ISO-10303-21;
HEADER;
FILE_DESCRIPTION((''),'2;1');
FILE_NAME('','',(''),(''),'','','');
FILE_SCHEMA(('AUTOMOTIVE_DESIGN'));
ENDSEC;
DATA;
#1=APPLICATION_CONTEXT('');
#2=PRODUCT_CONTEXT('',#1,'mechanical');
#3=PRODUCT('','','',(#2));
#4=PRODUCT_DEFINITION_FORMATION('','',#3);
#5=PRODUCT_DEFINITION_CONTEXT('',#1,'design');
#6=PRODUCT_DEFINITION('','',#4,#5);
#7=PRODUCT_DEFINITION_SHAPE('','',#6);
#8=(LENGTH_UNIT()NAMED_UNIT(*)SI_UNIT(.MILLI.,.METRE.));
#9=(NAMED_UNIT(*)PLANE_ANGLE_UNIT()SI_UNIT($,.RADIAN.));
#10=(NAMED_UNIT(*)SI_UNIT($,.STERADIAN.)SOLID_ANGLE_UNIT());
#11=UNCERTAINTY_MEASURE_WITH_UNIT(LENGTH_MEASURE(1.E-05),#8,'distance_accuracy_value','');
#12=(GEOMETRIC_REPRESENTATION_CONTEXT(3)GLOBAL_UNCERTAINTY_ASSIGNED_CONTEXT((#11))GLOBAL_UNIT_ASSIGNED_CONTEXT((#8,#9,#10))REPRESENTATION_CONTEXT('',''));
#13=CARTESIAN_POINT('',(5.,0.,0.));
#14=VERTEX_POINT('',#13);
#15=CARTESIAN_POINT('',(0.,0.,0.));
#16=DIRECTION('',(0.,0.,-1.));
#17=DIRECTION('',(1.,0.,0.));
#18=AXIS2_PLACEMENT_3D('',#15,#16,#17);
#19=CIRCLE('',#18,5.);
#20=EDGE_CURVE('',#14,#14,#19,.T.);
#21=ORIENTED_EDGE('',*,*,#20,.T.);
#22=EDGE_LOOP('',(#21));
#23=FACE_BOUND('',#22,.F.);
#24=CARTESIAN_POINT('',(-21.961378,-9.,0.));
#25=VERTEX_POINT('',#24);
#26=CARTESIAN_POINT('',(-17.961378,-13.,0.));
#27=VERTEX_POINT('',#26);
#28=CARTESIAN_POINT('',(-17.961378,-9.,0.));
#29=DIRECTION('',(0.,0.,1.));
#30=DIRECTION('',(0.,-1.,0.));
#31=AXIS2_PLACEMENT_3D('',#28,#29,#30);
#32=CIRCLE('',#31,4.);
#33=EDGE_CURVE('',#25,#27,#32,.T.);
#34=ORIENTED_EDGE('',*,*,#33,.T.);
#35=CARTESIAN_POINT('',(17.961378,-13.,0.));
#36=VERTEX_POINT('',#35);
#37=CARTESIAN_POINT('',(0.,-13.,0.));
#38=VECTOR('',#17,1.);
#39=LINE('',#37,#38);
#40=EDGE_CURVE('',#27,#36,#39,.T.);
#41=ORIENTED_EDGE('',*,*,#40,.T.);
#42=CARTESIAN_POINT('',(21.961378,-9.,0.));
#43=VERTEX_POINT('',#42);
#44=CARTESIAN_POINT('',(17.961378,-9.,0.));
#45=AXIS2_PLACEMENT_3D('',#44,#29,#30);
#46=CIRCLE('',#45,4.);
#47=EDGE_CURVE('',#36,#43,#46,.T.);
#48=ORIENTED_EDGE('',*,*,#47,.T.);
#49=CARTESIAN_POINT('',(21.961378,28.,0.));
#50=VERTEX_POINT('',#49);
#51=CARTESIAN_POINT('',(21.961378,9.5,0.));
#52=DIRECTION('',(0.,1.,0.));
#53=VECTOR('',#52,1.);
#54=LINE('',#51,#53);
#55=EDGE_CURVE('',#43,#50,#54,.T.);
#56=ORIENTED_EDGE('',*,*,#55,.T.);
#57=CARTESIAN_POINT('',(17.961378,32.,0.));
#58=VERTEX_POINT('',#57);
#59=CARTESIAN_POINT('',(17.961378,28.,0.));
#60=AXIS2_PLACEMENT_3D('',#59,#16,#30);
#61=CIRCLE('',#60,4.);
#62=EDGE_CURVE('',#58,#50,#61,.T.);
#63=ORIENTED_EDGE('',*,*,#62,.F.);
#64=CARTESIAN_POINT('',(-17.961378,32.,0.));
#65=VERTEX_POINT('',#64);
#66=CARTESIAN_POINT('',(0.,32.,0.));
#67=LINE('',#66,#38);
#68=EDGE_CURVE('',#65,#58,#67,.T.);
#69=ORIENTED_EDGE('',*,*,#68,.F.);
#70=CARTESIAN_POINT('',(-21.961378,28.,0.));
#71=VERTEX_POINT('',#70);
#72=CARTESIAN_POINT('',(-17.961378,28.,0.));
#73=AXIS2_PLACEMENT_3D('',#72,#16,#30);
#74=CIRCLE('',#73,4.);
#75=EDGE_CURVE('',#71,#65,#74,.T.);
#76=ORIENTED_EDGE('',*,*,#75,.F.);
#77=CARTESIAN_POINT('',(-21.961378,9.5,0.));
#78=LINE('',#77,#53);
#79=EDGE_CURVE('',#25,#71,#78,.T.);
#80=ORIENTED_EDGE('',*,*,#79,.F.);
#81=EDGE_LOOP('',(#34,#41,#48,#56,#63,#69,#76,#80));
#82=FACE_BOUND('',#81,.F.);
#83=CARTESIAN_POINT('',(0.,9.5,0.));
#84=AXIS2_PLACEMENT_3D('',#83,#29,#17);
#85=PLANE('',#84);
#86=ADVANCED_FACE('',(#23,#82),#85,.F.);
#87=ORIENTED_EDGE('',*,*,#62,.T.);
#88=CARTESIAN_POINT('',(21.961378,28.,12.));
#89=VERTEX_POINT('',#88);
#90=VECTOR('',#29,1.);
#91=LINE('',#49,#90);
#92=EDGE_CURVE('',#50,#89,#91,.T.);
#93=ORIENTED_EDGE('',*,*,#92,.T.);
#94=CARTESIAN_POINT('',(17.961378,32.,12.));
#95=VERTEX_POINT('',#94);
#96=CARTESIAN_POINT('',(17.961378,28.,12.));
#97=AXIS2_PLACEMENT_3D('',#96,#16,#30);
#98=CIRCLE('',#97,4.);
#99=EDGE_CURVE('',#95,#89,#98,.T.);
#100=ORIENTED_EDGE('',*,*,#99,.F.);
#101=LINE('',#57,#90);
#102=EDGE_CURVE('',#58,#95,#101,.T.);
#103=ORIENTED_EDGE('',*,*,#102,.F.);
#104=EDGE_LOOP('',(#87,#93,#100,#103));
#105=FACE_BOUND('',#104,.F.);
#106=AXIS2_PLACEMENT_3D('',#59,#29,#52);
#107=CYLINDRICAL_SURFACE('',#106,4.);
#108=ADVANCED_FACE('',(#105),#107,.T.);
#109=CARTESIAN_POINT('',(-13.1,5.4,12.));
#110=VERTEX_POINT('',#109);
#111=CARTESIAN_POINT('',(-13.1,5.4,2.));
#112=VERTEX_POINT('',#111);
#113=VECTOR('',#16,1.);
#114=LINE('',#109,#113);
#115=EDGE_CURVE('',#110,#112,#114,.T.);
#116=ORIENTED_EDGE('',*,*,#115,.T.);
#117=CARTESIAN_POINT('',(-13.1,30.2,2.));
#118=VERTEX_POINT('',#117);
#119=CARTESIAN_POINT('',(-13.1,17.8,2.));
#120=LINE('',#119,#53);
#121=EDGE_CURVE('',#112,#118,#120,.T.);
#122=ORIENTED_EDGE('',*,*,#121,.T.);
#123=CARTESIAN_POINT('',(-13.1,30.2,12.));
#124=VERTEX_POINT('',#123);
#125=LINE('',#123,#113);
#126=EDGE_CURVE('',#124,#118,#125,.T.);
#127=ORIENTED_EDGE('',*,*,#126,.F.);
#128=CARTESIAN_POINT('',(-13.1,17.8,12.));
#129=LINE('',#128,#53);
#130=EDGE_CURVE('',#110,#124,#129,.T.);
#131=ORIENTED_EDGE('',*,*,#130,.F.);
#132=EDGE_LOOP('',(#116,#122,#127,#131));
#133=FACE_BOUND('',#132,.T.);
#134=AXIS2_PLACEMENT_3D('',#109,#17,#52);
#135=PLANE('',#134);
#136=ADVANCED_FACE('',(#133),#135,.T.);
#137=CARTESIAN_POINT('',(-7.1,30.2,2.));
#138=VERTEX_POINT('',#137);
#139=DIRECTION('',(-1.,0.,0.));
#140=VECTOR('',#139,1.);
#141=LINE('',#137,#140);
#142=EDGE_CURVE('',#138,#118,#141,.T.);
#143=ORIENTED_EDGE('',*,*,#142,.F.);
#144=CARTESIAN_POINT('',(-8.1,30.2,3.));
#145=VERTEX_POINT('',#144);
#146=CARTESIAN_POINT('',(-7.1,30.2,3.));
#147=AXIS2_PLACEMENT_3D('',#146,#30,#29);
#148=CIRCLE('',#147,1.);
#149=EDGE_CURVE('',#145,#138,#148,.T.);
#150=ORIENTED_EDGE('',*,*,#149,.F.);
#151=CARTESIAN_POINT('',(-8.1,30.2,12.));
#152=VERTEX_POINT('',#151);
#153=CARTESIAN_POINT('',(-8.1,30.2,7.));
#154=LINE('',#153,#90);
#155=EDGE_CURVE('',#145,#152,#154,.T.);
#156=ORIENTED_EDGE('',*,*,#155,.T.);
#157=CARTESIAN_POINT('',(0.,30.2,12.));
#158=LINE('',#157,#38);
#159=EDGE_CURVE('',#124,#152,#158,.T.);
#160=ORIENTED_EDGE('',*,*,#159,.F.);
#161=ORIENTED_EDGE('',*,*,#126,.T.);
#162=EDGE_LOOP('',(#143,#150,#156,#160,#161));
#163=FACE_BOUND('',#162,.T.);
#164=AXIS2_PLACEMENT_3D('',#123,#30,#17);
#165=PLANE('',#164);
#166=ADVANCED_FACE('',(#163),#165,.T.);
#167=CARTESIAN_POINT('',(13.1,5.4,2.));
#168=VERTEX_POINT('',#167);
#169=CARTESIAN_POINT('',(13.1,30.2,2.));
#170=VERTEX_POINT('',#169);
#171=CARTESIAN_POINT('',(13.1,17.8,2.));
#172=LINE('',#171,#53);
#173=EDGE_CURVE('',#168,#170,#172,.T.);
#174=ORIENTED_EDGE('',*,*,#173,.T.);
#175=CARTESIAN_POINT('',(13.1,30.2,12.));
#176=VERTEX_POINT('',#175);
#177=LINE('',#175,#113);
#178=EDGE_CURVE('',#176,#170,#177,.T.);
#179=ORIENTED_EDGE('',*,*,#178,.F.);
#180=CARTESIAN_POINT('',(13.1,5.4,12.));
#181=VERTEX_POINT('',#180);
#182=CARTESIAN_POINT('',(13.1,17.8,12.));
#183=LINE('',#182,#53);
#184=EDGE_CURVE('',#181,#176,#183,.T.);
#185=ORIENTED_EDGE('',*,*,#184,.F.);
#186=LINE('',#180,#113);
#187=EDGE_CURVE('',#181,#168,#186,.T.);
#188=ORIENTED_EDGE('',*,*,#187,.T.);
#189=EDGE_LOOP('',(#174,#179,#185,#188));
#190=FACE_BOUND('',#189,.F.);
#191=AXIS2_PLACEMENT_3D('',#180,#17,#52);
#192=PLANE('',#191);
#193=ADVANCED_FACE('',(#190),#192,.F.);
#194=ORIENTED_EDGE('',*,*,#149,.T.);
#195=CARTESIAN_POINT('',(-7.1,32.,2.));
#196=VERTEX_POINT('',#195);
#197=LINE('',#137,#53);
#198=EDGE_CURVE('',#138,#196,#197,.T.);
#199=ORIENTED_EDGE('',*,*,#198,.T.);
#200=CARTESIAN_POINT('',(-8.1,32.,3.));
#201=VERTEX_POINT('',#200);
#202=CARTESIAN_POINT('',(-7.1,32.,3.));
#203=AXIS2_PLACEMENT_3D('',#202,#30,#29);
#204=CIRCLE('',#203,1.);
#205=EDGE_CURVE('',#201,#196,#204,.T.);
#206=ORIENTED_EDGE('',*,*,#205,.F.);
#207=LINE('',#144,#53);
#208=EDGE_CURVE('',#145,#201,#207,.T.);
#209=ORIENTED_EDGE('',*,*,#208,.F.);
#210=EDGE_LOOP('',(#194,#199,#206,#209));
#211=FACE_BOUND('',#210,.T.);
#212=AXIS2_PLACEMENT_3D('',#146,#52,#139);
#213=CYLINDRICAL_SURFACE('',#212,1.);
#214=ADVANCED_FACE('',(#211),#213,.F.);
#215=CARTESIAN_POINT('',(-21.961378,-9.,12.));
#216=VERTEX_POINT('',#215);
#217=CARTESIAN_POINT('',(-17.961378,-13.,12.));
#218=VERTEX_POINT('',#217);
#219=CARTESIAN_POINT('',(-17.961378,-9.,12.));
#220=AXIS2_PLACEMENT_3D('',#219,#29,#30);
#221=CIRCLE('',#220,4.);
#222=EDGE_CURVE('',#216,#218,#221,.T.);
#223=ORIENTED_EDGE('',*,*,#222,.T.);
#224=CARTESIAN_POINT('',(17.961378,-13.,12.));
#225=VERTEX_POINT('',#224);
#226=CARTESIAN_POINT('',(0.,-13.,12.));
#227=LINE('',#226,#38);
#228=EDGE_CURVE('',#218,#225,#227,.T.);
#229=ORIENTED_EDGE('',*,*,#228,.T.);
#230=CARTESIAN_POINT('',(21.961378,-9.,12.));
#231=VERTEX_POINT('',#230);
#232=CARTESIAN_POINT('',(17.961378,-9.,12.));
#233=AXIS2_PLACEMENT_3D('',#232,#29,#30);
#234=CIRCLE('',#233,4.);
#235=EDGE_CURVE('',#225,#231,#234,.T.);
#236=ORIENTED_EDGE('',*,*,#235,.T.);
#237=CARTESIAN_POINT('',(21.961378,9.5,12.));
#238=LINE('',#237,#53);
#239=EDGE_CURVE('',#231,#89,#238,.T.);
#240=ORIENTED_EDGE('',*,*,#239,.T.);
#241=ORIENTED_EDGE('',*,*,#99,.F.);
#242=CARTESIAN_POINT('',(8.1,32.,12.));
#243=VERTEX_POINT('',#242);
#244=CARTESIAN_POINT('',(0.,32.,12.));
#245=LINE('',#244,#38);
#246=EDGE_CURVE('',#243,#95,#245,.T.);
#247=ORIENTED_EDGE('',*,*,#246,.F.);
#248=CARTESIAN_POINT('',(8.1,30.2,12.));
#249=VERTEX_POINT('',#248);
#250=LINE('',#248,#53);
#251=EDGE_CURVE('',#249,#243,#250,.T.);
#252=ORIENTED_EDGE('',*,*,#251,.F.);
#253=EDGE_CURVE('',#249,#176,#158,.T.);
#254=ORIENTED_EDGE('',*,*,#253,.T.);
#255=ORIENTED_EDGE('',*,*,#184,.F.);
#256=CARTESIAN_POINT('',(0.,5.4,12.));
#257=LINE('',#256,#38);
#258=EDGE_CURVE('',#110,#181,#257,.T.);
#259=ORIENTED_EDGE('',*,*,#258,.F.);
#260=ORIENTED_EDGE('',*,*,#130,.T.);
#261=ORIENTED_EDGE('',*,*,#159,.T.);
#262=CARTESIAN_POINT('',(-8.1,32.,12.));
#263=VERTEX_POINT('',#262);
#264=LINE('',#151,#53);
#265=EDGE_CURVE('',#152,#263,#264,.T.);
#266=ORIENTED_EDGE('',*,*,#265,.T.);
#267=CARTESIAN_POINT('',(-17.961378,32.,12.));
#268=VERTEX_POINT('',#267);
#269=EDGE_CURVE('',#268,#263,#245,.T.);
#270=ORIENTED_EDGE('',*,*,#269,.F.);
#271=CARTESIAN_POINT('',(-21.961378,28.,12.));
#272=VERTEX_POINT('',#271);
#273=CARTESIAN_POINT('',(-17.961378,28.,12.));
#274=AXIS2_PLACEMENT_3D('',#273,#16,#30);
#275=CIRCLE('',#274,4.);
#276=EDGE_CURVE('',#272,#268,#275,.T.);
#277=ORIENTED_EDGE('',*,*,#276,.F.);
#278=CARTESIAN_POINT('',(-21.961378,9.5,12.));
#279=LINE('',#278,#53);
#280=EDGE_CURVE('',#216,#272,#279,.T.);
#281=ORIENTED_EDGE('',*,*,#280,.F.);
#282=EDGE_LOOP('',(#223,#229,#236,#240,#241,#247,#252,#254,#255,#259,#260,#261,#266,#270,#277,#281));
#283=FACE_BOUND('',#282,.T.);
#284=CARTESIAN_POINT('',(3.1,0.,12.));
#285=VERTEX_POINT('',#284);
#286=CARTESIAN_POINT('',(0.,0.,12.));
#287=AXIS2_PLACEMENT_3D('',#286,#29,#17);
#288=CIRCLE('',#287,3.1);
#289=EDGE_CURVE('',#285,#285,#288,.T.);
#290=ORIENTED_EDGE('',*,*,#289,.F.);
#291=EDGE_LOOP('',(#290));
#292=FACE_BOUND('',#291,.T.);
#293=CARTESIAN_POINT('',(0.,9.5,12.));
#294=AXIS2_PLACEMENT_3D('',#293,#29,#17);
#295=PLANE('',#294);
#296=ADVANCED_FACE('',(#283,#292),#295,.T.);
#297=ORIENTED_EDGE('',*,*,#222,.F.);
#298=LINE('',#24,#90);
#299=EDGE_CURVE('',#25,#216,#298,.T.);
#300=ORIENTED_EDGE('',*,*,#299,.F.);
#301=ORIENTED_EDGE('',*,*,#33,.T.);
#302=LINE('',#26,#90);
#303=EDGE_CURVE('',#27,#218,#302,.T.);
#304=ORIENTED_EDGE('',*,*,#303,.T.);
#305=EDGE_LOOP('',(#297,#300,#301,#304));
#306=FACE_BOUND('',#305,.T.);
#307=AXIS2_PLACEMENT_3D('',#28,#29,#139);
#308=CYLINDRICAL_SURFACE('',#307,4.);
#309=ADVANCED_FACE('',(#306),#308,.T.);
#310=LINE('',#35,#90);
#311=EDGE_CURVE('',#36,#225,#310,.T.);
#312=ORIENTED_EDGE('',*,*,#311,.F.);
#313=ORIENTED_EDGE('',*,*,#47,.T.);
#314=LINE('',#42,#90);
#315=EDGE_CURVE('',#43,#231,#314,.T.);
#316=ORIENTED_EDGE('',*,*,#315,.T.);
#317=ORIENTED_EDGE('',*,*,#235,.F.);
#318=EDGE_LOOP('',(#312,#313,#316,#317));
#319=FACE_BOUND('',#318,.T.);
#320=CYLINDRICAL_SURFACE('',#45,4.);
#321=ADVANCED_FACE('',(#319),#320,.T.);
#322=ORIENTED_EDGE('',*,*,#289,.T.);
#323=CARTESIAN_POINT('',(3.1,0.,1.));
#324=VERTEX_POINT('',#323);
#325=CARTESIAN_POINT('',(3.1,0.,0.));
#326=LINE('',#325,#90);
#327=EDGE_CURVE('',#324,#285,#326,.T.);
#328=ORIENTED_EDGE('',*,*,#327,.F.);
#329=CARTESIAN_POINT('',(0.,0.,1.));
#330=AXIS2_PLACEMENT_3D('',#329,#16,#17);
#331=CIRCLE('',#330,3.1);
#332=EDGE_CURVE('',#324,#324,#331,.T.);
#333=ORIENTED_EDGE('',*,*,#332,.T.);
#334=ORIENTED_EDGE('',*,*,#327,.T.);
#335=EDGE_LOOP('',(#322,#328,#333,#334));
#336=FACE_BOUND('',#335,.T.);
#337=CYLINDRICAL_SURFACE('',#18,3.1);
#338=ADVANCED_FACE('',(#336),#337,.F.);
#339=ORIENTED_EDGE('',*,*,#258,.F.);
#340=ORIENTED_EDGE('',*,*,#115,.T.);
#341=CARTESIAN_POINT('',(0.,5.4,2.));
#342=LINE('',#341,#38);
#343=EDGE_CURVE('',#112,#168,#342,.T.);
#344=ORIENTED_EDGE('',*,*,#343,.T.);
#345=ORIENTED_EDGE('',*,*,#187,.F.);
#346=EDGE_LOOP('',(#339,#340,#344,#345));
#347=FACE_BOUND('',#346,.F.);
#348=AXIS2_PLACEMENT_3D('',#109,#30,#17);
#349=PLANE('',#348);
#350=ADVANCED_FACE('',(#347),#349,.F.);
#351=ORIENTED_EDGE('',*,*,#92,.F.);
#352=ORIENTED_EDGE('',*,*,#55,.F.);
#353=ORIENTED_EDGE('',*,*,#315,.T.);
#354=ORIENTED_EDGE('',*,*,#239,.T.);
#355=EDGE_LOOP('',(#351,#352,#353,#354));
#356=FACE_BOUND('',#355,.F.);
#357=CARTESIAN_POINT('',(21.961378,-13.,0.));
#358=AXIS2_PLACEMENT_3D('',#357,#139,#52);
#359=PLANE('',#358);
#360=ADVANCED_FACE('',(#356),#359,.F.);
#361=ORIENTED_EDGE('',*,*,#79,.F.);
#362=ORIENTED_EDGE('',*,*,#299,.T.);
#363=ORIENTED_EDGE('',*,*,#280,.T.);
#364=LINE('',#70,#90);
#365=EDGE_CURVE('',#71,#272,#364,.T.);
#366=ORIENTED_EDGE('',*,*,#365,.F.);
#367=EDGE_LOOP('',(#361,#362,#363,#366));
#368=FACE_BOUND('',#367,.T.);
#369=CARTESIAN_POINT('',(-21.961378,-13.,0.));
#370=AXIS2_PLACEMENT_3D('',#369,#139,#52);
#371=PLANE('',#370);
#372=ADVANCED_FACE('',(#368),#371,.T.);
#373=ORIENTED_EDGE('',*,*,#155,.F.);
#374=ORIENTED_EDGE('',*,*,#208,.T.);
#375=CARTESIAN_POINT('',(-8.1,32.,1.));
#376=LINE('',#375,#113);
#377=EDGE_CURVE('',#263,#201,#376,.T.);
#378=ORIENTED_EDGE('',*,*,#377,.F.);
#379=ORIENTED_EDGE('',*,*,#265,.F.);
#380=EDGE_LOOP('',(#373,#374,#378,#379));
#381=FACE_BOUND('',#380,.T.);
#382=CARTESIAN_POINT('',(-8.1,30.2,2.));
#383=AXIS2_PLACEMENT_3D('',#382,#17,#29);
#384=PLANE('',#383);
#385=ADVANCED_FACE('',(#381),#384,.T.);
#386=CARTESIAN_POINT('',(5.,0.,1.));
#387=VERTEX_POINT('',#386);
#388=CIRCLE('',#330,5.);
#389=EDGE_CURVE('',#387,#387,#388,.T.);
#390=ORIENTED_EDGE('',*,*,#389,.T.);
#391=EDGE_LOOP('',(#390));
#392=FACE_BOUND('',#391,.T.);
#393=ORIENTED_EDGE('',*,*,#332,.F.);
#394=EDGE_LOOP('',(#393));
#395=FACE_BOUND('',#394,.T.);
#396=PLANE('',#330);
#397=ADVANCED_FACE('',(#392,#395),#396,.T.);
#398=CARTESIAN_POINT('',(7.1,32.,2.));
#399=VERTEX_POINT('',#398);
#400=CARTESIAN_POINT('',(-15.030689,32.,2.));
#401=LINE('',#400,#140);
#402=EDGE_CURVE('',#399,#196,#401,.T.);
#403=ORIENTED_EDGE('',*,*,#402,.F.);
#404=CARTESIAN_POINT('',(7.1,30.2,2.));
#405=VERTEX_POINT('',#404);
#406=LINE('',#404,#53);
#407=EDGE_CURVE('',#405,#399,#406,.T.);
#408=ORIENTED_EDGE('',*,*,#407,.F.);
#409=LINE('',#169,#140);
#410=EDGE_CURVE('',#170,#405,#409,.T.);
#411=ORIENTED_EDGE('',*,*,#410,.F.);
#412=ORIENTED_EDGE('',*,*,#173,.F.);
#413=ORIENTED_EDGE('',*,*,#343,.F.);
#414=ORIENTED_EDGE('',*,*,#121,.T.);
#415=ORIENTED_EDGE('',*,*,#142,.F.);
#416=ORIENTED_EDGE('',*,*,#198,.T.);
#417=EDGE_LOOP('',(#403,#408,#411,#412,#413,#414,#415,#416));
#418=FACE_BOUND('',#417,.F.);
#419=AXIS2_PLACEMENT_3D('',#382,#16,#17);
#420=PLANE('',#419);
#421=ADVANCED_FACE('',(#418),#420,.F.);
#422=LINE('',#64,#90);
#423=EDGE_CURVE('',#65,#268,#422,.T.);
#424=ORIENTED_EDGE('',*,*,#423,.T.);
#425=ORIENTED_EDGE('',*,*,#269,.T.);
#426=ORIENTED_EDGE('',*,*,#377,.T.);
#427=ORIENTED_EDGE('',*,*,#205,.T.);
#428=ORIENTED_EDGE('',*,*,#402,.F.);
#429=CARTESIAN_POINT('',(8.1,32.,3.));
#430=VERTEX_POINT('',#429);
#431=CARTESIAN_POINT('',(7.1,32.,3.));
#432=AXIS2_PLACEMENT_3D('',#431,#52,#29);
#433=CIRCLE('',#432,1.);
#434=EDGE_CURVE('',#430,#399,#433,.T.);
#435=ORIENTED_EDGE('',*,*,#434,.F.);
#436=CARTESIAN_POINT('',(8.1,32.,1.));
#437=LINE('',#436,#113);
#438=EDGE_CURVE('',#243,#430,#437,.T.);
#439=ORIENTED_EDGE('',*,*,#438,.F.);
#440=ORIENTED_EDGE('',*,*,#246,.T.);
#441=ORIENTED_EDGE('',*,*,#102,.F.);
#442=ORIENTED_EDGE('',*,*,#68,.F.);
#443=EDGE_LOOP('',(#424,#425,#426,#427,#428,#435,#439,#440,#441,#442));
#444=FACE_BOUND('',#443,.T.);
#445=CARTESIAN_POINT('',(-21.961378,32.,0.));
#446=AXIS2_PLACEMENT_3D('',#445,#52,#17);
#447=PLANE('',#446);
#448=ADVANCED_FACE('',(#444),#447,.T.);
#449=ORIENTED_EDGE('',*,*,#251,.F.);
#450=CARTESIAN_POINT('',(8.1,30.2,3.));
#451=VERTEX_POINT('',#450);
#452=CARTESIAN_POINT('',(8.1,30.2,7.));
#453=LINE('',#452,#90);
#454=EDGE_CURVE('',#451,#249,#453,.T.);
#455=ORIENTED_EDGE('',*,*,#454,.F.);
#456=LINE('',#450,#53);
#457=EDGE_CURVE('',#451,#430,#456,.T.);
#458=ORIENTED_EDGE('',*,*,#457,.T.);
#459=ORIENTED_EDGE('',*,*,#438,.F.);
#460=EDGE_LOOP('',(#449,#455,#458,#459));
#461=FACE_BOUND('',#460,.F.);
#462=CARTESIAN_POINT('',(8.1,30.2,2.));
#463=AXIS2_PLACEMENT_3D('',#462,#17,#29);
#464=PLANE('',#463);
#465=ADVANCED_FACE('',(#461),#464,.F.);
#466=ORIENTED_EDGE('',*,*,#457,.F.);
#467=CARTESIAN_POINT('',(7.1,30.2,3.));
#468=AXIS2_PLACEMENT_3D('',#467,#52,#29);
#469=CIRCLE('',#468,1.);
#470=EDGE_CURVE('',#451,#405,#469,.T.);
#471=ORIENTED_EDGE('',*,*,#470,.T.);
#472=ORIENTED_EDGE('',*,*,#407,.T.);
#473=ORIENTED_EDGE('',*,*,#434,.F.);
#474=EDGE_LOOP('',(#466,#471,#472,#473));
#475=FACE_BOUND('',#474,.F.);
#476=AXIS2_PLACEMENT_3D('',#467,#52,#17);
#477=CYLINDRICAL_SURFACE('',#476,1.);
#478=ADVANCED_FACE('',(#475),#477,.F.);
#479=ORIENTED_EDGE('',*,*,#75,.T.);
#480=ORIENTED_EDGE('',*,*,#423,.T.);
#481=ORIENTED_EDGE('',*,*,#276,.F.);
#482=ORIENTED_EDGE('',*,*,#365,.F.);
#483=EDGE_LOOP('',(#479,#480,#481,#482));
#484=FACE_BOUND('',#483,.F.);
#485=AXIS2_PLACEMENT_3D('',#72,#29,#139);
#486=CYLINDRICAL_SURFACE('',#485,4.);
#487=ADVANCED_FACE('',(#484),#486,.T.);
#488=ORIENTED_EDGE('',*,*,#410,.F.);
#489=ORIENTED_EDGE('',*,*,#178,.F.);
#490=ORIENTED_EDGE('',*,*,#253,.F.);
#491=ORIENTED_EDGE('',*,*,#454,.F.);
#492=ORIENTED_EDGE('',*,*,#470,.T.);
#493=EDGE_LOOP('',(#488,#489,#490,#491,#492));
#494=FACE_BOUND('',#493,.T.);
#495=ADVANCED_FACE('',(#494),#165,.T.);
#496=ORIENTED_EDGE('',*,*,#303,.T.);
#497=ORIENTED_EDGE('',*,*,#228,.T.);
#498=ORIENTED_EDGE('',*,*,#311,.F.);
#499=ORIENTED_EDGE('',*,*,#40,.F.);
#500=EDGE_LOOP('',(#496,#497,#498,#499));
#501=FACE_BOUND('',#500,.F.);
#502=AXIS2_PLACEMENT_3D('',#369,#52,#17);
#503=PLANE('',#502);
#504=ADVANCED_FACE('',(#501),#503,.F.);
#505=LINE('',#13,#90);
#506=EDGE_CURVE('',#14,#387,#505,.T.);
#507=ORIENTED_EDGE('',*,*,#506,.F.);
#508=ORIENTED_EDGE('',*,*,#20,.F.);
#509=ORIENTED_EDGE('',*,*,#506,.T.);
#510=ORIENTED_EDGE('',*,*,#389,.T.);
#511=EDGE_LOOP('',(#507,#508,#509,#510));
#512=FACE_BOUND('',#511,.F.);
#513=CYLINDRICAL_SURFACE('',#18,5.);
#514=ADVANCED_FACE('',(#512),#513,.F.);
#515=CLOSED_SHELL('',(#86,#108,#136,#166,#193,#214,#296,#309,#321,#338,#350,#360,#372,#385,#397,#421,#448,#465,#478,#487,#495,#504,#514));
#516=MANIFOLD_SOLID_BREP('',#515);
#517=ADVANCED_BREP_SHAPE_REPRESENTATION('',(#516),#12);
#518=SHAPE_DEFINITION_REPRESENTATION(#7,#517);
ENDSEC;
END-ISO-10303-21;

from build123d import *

# Parameters (mm, degrees)
SKETCH_W        = 43.922756
SKETCH_H        = 45
SKETCH_R        = 3.1
PAD_DEPTH       = 12
SKETCH001_W     = 26.2
SKETCH001_H     = 24.8
POCKET_DEPTH    = 10
SKETCH002_R     = 5
POCKET001_DEPTH = 1
FILLET_R        = 4
SKETCH003_W     = 16.2
SKETCH003_H     = 10
POCKET002_DEPTH = 5
FILLET001_R     = 1


with BuildPart() as part:
    # Sketch → Pad (new body)
    with BuildSketch(Plane.XY):
        with Locations((0, 9.5)):
            Rectangle(SKETCH_W, SKETCH_H)
        Circle(SKETCH_R, mode=Mode.SUBTRACT)
    extrude(amount=PAD_DEPTH)

    # Sketch001 (on Face7 of Pad) → Pocket (cut)
    with BuildSketch(Plane.XY.offset(12)):
        with Locations((0, 17.8)):
            Rectangle(SKETCH001_W, SKETCH001_H)
    extrude(amount=-POCKET_DEPTH, mode=Mode.SUBTRACT)

    # Sketch002 (on Face4 of Pocket) → Pocket001 (cut)
    with BuildSketch(Plane(origin=(0, 0, 0), x_dir=(1, 0, 0), z_dir=(0, 0, -1))):
        Circle(SKETCH002_R)
    extrude(amount=-POCKET001_DEPTH, mode=Mode.SUBTRACT)

    # Fillet
    fillet_edges = [part.edges().sort_by_distance(p)[0] for p in [
        (21.961378, 32, 6),
        (-21.961378, 32, 6),
        (21.961378, -13, 6),
        (-21.961378, -13, 6),
    ]]
    fillet(fillet_edges, radius=FILLET_R)

    # Sketch003 (on Face16 of Fillet) → Pocket002 (cut)
    with BuildSketch(Plane.XZ.offset(-30.2)):
        with Locations((0, 7)):
            Rectangle(SKETCH003_W, SKETCH003_H)
    extrude(amount=-POCKET002_DEPTH, mode=Mode.SUBTRACT)

    # Fillet001
    fillet001_edges = [part.edges().sort_by_distance(p)[0] for p in [
        (8.1, 31.1, 2),
        (-8.1, 31.1, 2),
    ]]
    fillet(fillet001_edges, radius=FILLET001_R)


solid = part.part
